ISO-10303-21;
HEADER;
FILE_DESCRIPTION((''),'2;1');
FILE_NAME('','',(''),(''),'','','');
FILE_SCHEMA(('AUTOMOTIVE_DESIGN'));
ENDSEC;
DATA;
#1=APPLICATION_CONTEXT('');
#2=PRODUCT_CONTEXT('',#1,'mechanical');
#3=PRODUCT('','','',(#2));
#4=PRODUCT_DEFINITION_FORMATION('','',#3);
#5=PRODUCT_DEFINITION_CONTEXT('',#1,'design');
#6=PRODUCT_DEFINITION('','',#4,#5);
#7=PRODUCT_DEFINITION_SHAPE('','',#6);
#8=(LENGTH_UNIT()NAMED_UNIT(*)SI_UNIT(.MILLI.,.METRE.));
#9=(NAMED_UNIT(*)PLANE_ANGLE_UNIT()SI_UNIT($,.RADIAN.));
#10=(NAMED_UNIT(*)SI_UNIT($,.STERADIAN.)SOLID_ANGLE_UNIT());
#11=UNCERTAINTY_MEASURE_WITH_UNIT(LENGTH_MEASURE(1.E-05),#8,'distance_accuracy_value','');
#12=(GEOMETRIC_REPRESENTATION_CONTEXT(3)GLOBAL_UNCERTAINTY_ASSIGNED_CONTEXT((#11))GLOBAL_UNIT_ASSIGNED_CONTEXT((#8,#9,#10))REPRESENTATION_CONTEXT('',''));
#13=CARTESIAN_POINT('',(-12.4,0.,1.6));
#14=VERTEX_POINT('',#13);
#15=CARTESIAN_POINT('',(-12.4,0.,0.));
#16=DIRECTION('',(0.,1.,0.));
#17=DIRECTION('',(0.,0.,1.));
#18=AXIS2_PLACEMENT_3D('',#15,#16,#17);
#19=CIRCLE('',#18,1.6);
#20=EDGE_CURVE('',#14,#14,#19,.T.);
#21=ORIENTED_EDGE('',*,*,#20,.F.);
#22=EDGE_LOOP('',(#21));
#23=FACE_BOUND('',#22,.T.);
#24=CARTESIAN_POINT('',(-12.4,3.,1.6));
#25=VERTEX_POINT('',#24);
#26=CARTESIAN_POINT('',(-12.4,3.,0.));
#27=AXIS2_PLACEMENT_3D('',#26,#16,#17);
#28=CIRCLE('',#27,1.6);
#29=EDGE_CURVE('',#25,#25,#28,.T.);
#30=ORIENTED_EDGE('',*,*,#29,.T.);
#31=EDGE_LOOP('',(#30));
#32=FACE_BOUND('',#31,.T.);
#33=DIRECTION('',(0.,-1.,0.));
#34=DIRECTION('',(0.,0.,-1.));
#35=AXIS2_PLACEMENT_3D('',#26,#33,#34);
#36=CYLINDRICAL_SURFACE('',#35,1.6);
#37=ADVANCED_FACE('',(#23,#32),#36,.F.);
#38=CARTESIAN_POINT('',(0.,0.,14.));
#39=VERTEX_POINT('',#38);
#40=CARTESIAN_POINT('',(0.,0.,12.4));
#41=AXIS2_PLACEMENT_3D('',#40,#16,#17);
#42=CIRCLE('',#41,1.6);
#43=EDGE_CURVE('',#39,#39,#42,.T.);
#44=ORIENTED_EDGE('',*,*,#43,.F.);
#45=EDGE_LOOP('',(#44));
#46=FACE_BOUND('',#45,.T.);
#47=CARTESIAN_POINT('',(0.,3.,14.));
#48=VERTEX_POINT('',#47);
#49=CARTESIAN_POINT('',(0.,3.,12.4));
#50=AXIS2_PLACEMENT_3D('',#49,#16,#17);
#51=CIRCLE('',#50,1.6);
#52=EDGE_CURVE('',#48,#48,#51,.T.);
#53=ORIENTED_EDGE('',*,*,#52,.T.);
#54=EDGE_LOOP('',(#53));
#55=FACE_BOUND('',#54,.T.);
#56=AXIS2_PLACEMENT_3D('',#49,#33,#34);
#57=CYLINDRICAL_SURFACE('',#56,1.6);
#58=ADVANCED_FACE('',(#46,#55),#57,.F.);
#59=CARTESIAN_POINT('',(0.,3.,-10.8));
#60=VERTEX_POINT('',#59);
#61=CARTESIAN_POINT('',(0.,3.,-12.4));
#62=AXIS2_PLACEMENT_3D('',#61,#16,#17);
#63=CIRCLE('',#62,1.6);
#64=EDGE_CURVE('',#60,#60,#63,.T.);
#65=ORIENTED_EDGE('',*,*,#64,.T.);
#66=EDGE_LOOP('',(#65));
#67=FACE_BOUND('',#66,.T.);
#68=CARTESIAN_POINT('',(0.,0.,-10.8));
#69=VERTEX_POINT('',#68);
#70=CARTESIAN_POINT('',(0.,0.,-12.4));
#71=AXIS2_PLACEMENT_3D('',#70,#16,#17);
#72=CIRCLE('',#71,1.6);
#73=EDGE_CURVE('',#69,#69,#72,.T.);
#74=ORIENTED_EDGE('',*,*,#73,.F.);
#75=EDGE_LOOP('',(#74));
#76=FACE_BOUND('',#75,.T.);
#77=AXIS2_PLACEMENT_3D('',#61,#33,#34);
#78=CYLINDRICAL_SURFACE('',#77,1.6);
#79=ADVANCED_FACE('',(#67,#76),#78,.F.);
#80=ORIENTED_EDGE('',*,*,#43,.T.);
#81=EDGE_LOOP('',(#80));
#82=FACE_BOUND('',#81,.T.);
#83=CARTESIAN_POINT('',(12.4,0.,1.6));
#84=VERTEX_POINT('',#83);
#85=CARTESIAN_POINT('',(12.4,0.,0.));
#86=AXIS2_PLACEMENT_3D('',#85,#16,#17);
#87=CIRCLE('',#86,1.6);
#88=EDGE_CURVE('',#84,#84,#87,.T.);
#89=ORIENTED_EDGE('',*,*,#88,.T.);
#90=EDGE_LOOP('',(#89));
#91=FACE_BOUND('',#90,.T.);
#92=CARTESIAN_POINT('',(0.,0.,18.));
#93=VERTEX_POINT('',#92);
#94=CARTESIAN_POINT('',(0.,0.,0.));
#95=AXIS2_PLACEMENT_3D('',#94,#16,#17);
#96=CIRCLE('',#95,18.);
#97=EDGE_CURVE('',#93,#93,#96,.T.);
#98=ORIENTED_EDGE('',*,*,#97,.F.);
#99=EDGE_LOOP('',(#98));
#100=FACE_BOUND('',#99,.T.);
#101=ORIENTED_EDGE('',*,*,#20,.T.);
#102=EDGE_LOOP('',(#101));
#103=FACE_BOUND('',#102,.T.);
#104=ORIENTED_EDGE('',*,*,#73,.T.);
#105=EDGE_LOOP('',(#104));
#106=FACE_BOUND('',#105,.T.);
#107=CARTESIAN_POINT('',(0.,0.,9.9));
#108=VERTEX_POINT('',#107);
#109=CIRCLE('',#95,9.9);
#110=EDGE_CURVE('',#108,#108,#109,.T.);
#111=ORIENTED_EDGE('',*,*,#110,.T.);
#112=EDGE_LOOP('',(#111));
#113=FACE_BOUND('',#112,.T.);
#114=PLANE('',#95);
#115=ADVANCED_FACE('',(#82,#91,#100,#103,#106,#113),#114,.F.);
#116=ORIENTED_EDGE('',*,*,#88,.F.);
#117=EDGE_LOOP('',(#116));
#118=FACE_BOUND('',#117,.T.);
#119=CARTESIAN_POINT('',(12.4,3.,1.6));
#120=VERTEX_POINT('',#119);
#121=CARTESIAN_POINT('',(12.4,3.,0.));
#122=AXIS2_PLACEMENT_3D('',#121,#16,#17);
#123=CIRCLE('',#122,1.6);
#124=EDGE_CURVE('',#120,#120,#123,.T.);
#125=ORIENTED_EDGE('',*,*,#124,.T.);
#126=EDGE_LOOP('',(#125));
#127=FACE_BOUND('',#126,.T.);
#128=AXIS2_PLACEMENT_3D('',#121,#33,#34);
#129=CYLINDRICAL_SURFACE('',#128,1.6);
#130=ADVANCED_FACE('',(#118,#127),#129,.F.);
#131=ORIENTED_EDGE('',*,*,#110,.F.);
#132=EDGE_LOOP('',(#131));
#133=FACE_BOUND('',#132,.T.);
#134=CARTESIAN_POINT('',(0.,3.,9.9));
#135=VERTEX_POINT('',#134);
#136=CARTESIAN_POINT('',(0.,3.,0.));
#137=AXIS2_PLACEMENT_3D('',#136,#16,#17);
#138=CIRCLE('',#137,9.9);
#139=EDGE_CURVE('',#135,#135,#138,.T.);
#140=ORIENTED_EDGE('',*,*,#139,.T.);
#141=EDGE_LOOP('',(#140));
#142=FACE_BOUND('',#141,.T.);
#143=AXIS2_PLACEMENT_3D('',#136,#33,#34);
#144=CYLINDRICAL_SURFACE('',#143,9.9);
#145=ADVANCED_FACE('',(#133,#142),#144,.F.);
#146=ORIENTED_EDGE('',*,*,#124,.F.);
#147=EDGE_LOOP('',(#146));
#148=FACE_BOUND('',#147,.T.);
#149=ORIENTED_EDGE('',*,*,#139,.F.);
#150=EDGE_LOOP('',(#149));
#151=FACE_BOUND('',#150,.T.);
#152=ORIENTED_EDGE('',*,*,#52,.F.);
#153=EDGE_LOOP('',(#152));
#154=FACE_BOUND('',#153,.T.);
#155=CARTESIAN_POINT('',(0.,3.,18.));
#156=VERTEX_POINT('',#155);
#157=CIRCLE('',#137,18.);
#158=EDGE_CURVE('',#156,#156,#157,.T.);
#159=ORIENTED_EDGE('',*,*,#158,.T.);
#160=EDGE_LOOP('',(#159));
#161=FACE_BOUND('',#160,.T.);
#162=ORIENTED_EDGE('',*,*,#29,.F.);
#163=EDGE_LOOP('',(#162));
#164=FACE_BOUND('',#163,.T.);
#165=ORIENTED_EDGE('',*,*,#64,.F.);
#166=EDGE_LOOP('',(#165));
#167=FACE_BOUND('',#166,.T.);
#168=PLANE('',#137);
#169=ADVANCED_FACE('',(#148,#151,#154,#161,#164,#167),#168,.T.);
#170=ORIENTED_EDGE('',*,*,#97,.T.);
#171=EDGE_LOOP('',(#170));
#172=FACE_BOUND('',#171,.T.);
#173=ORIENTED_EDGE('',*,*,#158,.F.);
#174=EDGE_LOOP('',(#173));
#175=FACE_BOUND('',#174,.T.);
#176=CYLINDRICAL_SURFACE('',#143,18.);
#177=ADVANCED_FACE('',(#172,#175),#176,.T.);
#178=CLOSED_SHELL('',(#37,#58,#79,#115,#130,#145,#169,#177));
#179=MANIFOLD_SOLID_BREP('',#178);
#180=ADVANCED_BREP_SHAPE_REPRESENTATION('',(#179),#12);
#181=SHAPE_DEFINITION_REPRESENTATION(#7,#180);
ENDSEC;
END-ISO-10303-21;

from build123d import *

# Parameters (mm, degrees)
SKETCH1_R           = 18
SKETCH1_R_2         = 9.9
SKETCH1_R_3         = 1.6
BOSS_EXTRUDE1_DEPTH = 3


with BuildPart() as part:
    # Sketch1 → Boss-Extrude1 (new body)
    with BuildSketch(Plane(origin=(0, 0, 0), x_dir=(1, 0, 0), z_dir=(0, 1, 0))):
        with Locations(Location((0, 0, 0), (0, 0, 270))):
            Circle(SKETCH1_R)
        with Locations(Location((0, 0, 0), (0, 0, 270))):
            Circle(SKETCH1_R_2, mode=Mode.SUBTRACT)
        with Locations(Location((0, 12.4, 0), (0, 0, 270))):
            Circle(SKETCH1_R_3, mode=Mode.SUBTRACT)
        with Locations(Location((12.4, 0, 0), (0, 0, 270))):
            Circle(SKETCH1_R_3, mode=Mode.SUBTRACT)
        with Locations(Location((0, -12.4, 0), (0, 0, 270))):
            Circle(SKETCH1_R_3, mode=Mode.SUBTRACT)
        with Locations(Location((-12.4, 0, 0), (0, 0, 270))):
            Circle(SKETCH1_R_3, mode=Mode.SUBTRACT)
    extrude(amount=BOSS_EXTRUDE1_DEPTH)


solid = part.part
